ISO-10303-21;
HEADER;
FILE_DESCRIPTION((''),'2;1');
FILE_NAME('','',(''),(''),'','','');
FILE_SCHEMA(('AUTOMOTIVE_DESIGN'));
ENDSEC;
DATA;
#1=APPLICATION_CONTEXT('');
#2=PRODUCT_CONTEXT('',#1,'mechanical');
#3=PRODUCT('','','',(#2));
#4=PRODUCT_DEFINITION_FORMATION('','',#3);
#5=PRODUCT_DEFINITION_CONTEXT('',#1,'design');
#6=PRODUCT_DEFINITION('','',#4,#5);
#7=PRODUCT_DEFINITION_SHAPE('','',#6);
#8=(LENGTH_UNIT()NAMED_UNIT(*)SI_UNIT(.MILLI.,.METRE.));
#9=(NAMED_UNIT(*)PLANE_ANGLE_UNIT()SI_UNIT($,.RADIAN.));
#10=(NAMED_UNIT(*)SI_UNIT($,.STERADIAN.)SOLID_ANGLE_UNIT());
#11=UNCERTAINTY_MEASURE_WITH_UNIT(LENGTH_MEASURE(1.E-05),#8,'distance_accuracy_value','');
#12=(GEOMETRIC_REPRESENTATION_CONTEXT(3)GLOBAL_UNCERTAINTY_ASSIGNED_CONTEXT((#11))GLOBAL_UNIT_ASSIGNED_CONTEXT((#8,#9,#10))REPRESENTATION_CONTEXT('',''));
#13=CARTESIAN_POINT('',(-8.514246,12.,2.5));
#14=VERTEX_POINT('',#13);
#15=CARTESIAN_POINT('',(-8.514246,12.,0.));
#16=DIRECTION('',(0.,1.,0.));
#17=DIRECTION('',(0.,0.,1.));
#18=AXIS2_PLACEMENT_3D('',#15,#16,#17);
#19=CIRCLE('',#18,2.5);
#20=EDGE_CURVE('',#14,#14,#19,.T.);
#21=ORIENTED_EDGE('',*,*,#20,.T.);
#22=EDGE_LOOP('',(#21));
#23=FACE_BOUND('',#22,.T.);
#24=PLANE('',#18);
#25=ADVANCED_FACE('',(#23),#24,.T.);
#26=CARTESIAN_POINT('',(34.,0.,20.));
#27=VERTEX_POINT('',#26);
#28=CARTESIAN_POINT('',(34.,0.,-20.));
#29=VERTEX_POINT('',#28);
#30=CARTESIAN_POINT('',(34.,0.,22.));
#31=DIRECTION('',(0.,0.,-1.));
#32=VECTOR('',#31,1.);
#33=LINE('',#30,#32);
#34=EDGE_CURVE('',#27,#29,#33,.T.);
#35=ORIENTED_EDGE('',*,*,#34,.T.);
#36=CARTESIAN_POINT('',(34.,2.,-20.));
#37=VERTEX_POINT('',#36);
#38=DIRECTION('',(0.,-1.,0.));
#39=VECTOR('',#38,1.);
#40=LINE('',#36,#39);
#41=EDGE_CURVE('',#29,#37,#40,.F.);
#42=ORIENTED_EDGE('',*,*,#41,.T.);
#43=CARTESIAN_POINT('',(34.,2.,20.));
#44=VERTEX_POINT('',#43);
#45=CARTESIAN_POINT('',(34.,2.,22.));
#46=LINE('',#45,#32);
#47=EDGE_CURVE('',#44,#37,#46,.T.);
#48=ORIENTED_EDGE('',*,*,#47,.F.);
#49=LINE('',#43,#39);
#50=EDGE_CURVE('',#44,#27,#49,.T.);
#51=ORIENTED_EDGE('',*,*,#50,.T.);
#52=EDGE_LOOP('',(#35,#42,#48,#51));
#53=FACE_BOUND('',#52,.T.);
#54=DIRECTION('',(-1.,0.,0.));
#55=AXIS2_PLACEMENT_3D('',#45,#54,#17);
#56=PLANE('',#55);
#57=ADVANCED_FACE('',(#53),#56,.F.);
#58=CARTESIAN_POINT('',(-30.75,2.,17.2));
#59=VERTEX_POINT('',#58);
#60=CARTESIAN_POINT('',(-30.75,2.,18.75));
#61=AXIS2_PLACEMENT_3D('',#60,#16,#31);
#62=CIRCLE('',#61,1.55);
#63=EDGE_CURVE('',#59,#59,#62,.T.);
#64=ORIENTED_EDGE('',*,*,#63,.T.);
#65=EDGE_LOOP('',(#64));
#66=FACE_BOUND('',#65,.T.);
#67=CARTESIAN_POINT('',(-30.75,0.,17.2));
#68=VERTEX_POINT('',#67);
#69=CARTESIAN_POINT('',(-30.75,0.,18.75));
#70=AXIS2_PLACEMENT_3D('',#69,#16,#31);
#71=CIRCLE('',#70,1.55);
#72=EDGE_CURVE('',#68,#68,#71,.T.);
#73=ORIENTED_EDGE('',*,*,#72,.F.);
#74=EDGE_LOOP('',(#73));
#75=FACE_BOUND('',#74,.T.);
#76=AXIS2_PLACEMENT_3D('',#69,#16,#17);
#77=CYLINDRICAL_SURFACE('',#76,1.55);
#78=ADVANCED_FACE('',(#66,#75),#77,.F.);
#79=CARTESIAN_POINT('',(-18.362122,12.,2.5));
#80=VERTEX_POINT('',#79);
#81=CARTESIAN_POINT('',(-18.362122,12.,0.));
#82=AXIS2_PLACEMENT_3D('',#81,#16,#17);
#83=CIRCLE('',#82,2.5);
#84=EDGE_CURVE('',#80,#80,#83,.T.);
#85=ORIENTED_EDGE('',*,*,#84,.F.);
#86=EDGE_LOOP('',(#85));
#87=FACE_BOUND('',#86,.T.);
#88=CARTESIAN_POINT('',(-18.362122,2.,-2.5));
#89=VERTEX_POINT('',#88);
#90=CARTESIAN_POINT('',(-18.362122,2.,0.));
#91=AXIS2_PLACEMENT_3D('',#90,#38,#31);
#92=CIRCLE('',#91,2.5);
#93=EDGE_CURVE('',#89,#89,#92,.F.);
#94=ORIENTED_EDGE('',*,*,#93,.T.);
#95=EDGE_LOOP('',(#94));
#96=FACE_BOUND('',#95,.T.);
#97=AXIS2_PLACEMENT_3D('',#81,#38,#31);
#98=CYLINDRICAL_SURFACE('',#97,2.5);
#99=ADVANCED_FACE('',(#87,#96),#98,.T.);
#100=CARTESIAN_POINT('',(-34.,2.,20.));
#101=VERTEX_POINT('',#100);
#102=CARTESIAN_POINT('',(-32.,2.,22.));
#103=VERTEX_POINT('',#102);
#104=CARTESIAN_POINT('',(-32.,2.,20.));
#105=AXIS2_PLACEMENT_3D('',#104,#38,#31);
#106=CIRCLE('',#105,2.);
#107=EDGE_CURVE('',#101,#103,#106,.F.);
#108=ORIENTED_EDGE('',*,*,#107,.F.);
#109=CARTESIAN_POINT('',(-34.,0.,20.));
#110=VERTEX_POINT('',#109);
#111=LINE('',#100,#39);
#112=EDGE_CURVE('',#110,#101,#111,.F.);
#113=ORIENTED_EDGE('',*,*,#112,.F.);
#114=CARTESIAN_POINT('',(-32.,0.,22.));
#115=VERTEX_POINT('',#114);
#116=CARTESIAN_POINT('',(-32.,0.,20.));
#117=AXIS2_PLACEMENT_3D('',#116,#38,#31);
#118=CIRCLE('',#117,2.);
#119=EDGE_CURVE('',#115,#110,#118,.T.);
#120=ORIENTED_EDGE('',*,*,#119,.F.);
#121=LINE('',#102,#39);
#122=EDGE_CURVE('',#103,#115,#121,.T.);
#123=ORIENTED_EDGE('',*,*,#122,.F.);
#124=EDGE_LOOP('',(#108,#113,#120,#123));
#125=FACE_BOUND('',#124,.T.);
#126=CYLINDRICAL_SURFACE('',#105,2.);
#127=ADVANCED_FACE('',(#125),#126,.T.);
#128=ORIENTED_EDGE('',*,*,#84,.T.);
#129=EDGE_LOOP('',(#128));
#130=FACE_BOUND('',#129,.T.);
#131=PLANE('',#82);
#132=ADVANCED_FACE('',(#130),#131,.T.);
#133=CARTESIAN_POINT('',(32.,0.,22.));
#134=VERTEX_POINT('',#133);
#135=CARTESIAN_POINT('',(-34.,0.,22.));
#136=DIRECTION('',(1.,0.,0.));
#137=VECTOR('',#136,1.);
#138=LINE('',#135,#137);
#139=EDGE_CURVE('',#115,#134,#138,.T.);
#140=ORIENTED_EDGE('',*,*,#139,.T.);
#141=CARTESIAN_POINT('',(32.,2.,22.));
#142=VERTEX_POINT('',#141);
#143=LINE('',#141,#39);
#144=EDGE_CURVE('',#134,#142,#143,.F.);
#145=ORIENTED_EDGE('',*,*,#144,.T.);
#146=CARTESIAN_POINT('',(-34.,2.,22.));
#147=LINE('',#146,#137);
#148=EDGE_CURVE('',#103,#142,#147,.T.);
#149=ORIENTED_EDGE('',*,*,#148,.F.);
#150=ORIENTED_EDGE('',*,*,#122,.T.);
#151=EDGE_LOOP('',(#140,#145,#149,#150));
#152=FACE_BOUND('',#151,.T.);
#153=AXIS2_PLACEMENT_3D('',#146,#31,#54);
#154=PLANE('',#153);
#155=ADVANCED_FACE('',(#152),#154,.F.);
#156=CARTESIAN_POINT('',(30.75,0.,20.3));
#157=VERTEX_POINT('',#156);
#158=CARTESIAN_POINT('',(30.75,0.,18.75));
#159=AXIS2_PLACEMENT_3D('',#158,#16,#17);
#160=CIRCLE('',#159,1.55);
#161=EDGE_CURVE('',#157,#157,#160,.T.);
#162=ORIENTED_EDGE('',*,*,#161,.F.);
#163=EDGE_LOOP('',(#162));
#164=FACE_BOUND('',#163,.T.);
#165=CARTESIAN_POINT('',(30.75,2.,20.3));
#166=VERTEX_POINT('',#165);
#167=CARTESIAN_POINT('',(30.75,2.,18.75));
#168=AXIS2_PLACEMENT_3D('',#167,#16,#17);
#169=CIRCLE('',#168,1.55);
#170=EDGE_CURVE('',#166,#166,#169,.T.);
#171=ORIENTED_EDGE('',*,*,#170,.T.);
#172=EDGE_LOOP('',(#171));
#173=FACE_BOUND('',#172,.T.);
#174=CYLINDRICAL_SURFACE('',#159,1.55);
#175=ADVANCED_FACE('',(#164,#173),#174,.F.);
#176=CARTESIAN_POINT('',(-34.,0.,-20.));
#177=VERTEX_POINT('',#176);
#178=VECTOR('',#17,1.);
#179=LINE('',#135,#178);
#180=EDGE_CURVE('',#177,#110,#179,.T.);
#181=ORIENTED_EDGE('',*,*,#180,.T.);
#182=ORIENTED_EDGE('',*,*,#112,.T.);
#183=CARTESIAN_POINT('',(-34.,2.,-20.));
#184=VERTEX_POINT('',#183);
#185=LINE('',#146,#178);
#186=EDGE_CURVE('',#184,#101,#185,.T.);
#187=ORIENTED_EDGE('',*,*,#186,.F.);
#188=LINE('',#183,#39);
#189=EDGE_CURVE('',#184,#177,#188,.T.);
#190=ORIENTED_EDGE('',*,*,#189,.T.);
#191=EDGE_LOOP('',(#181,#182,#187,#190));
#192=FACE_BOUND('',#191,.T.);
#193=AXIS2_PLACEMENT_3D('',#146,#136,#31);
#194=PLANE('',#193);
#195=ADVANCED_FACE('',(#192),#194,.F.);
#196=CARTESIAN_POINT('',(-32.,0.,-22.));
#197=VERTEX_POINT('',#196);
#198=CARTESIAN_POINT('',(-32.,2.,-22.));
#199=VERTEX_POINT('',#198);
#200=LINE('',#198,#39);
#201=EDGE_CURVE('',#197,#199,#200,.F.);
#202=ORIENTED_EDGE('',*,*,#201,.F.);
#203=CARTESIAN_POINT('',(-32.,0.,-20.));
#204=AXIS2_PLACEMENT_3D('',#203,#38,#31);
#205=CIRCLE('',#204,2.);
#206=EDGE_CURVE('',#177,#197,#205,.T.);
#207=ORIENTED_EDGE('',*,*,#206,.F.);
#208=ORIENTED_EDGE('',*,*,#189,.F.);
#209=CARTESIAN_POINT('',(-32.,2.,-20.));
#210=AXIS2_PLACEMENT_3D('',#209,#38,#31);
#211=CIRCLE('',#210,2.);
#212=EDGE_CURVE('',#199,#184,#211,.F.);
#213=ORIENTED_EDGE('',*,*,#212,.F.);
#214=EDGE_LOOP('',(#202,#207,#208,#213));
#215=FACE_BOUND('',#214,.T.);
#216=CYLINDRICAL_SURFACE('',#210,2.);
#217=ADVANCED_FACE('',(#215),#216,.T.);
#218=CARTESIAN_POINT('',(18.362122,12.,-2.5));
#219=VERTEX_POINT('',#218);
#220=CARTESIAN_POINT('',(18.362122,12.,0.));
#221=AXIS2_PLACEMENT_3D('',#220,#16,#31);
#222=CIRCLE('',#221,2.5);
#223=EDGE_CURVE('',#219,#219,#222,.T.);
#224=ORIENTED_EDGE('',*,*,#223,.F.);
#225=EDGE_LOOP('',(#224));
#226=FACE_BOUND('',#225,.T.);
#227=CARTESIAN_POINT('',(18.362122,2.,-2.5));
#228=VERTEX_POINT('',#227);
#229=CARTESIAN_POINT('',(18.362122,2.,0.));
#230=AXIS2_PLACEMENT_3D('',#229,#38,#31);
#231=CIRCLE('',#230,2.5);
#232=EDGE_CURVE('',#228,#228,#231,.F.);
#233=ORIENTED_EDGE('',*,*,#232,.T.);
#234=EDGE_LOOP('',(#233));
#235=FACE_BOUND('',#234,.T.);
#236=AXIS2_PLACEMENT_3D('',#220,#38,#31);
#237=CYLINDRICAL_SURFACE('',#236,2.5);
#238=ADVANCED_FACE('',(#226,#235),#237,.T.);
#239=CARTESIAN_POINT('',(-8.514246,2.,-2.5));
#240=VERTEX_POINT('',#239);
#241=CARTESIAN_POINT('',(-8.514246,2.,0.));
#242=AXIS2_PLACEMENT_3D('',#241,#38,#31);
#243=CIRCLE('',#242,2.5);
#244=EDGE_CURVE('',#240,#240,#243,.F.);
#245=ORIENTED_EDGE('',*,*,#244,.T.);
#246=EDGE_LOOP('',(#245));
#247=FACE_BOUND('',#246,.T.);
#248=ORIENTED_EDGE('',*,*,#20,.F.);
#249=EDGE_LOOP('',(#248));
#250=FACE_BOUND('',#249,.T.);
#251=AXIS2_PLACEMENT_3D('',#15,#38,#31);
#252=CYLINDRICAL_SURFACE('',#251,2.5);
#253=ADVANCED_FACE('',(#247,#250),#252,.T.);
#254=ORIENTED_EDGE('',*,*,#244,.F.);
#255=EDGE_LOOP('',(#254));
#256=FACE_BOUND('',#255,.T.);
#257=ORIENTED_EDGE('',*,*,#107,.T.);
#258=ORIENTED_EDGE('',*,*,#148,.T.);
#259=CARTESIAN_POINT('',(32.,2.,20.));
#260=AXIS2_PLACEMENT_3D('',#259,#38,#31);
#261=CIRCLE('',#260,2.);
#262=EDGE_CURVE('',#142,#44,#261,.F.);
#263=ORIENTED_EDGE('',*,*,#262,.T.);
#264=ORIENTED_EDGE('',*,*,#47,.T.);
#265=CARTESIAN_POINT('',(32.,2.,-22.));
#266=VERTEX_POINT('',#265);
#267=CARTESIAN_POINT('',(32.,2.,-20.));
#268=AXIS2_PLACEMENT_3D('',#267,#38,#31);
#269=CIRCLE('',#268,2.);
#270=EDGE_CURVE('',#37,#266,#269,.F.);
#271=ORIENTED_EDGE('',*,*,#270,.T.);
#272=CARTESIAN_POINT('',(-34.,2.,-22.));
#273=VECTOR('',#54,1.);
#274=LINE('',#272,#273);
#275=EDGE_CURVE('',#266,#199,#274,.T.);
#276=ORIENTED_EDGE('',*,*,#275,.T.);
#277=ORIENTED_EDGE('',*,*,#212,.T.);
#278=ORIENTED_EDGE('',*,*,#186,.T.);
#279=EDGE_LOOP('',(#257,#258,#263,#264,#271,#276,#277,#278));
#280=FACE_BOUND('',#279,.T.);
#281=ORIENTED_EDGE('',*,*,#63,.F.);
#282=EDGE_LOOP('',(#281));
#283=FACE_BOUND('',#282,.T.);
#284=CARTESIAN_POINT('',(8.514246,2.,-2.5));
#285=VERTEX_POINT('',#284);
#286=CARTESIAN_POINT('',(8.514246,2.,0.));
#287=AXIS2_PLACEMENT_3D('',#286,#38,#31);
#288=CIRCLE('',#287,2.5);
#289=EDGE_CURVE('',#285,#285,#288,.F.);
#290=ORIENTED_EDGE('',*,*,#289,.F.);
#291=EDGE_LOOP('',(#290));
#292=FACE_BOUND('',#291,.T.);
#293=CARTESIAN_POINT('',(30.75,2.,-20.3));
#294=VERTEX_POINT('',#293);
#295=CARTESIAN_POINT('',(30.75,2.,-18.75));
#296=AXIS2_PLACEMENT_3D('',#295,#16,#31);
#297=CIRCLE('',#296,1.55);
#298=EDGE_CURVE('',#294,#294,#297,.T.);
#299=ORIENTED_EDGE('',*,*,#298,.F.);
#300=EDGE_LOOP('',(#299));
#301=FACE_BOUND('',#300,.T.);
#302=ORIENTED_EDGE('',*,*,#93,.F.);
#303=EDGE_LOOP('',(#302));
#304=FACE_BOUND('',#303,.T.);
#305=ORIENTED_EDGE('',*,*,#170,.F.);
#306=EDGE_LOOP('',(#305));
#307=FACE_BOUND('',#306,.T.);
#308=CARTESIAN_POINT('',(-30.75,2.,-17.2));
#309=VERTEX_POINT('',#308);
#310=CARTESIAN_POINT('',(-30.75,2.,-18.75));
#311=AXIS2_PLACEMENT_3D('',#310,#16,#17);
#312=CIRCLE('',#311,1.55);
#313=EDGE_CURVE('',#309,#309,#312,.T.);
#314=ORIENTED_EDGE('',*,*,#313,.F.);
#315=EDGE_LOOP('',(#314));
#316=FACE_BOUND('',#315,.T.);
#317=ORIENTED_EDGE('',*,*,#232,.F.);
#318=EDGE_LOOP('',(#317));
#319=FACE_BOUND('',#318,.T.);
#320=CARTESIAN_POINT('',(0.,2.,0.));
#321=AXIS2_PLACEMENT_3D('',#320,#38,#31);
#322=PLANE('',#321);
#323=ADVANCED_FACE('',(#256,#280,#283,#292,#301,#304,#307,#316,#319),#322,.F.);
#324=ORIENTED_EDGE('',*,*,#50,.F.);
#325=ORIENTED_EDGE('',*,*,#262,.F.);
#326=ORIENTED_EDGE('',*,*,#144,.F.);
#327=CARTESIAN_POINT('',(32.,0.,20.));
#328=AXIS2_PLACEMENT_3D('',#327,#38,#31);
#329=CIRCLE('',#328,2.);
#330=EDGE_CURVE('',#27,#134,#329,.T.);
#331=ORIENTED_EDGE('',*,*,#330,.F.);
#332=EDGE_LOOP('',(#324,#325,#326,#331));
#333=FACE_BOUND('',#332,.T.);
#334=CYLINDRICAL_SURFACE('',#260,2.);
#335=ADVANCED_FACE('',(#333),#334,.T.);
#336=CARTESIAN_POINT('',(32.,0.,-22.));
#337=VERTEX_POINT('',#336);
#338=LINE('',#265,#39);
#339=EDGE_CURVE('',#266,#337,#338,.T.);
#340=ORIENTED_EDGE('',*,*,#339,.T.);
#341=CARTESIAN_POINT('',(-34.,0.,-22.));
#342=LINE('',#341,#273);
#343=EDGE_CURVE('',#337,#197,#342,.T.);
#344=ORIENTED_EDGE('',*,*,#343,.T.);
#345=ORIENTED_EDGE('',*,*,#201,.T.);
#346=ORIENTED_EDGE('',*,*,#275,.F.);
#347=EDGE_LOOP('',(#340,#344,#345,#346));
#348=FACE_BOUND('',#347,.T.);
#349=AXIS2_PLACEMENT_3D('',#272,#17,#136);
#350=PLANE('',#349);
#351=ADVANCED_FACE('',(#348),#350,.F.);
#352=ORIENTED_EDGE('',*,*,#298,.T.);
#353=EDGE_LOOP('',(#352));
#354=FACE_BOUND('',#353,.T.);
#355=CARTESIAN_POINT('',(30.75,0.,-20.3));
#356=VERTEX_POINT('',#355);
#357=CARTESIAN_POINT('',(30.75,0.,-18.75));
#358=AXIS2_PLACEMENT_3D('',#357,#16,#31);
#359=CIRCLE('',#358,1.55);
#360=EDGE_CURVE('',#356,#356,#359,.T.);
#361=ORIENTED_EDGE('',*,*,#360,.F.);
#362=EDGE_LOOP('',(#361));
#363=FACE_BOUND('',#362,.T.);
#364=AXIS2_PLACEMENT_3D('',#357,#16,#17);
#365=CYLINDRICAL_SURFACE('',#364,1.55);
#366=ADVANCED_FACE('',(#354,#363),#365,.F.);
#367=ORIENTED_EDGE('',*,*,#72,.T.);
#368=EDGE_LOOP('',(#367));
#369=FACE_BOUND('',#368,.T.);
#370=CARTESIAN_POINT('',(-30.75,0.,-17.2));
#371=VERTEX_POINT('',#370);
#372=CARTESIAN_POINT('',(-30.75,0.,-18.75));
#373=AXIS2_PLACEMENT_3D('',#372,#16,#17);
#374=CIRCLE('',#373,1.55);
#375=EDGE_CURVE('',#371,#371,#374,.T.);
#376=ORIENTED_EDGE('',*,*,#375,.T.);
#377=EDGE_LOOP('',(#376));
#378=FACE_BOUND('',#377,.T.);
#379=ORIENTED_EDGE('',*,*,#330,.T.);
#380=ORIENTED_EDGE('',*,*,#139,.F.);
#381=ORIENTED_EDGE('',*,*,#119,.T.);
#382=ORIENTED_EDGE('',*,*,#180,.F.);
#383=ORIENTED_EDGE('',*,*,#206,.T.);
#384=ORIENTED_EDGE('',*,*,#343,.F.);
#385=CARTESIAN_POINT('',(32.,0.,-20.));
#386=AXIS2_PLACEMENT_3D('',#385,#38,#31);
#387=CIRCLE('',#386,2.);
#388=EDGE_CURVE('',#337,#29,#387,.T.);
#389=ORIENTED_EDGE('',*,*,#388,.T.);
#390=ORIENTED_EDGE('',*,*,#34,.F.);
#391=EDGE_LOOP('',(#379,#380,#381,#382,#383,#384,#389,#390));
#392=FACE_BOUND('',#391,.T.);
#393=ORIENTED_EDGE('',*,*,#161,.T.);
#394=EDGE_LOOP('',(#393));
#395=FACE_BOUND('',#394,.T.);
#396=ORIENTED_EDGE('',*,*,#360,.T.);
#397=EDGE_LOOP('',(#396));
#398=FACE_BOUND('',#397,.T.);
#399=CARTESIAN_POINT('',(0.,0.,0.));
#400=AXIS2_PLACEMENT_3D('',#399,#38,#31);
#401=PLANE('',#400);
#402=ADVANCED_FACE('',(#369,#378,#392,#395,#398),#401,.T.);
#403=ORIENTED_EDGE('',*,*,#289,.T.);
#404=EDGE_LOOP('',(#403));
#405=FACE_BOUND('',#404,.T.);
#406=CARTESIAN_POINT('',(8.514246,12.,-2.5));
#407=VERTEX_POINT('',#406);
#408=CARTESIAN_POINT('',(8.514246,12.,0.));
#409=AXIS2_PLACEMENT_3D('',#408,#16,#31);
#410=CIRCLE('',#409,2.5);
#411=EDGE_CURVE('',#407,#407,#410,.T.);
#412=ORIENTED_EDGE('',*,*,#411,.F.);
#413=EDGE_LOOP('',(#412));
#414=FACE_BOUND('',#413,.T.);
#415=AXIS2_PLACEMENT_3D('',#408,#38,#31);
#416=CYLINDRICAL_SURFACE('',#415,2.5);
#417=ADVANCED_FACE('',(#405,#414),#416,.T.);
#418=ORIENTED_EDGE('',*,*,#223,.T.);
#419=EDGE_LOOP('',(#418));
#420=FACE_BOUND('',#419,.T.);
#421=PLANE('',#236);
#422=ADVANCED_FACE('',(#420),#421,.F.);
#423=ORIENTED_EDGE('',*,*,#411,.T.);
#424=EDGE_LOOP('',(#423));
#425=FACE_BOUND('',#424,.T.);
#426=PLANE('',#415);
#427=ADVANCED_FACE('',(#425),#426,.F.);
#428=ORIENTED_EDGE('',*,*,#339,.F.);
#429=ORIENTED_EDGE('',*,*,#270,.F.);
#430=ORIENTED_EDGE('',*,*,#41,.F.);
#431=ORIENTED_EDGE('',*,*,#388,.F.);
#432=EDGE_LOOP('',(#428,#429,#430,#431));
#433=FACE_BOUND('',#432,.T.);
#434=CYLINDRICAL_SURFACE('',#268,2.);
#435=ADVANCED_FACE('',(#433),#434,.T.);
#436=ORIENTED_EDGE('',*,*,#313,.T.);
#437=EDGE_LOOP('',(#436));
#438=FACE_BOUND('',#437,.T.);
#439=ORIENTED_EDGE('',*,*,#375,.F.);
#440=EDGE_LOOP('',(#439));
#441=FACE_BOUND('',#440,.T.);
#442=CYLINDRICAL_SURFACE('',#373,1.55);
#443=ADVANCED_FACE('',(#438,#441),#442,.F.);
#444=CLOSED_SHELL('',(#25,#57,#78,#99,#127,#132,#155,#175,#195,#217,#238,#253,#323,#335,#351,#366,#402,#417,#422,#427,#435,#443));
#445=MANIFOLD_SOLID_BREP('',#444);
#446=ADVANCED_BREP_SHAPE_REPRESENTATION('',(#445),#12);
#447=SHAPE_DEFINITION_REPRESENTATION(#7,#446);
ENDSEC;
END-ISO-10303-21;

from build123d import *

# Parameters (mm, degrees)
SKETCH_1_W          = 68
SKETCH_1_H          = 44
EXTRUDE_1_DEPTH     = 2
SKETCH_2_R          = 2.5
EXTRUDE_2_DEPTH     = 10
SKETCH_4_R          = 1.55
CUT_EXTRUDE_1_DEPTH = 42.713307229
FILLET_1_R          = 2


with BuildPart() as part:
    # 草图1 → 凸台-拉伸1 (new body)
    with BuildSketch(Plane(origin=(0, 0, 0), x_dir=(1, 0, 0), z_dir=(0, 1, 0))):
        Rectangle(SKETCH_1_W, SKETCH_1_H)
    extrude(amount=EXTRUDE_1_DEPTH)

    # 草图2 → 凸台-拉伸2 (add)
    with BuildSketch(Plane(origin=(0, 2, 0), x_dir=(1, 0, 0), z_dir=(0, 1, 0))):
        with Locations(Location((-18.362121931, 0, 0), (0, 0, 90))):
            Circle(SKETCH_2_R)
        with Locations(Location((-8.514245581, 0, 0), (0, 0, 90))):
            Circle(SKETCH_2_R)
        with Locations(Location((8.514245581, 0, 0), (0, 0, 90))):
            Circle(SKETCH_2_R)
        with Locations(Location((18.362121931, 0, 0), (0, 0, 90))):
            Circle(SKETCH_2_R)
    extrude(amount=EXTRUDE_2_DEPTH)

    # 草图4 → 切除-拉伸1 (cut, through all)
    with BuildSketch(Plane(origin=(0, 2, 0), x_dir=(1, 0, 0), z_dir=(0, 1, 0))):
        with Locations(Location((-30.75, 18.75, 0), (0, 0, 270))):
            Circle(SKETCH_4_R)
        with Locations(Location((-30.75, -18.75, 0), (0, 0, 90))):
            Circle(SKETCH_4_R)
        with Locations(Location((30.75, -18.75, 0), (0, 0, 270))):
            Circle(SKETCH_4_R)
        with Locations(Location((30.75, 18.75, 0), (0, 0, 90))):
            Circle(SKETCH_4_R)
    extrude(amount=-CUT_EXTRUDE_1_DEPTH, mode=Mode.SUBTRACT)

    # 圆角1
    fillet_1_edges = [part.edges().sort_by_distance(p)[0] for p in [
        (34, 1, 22),
        (-34, 1, 22),
        (-34, 1, -22),
        (34, 1, -22),
    ]]
    fillet(fillet_1_edges, radius=FILLET_1_R)


solid = part.part
